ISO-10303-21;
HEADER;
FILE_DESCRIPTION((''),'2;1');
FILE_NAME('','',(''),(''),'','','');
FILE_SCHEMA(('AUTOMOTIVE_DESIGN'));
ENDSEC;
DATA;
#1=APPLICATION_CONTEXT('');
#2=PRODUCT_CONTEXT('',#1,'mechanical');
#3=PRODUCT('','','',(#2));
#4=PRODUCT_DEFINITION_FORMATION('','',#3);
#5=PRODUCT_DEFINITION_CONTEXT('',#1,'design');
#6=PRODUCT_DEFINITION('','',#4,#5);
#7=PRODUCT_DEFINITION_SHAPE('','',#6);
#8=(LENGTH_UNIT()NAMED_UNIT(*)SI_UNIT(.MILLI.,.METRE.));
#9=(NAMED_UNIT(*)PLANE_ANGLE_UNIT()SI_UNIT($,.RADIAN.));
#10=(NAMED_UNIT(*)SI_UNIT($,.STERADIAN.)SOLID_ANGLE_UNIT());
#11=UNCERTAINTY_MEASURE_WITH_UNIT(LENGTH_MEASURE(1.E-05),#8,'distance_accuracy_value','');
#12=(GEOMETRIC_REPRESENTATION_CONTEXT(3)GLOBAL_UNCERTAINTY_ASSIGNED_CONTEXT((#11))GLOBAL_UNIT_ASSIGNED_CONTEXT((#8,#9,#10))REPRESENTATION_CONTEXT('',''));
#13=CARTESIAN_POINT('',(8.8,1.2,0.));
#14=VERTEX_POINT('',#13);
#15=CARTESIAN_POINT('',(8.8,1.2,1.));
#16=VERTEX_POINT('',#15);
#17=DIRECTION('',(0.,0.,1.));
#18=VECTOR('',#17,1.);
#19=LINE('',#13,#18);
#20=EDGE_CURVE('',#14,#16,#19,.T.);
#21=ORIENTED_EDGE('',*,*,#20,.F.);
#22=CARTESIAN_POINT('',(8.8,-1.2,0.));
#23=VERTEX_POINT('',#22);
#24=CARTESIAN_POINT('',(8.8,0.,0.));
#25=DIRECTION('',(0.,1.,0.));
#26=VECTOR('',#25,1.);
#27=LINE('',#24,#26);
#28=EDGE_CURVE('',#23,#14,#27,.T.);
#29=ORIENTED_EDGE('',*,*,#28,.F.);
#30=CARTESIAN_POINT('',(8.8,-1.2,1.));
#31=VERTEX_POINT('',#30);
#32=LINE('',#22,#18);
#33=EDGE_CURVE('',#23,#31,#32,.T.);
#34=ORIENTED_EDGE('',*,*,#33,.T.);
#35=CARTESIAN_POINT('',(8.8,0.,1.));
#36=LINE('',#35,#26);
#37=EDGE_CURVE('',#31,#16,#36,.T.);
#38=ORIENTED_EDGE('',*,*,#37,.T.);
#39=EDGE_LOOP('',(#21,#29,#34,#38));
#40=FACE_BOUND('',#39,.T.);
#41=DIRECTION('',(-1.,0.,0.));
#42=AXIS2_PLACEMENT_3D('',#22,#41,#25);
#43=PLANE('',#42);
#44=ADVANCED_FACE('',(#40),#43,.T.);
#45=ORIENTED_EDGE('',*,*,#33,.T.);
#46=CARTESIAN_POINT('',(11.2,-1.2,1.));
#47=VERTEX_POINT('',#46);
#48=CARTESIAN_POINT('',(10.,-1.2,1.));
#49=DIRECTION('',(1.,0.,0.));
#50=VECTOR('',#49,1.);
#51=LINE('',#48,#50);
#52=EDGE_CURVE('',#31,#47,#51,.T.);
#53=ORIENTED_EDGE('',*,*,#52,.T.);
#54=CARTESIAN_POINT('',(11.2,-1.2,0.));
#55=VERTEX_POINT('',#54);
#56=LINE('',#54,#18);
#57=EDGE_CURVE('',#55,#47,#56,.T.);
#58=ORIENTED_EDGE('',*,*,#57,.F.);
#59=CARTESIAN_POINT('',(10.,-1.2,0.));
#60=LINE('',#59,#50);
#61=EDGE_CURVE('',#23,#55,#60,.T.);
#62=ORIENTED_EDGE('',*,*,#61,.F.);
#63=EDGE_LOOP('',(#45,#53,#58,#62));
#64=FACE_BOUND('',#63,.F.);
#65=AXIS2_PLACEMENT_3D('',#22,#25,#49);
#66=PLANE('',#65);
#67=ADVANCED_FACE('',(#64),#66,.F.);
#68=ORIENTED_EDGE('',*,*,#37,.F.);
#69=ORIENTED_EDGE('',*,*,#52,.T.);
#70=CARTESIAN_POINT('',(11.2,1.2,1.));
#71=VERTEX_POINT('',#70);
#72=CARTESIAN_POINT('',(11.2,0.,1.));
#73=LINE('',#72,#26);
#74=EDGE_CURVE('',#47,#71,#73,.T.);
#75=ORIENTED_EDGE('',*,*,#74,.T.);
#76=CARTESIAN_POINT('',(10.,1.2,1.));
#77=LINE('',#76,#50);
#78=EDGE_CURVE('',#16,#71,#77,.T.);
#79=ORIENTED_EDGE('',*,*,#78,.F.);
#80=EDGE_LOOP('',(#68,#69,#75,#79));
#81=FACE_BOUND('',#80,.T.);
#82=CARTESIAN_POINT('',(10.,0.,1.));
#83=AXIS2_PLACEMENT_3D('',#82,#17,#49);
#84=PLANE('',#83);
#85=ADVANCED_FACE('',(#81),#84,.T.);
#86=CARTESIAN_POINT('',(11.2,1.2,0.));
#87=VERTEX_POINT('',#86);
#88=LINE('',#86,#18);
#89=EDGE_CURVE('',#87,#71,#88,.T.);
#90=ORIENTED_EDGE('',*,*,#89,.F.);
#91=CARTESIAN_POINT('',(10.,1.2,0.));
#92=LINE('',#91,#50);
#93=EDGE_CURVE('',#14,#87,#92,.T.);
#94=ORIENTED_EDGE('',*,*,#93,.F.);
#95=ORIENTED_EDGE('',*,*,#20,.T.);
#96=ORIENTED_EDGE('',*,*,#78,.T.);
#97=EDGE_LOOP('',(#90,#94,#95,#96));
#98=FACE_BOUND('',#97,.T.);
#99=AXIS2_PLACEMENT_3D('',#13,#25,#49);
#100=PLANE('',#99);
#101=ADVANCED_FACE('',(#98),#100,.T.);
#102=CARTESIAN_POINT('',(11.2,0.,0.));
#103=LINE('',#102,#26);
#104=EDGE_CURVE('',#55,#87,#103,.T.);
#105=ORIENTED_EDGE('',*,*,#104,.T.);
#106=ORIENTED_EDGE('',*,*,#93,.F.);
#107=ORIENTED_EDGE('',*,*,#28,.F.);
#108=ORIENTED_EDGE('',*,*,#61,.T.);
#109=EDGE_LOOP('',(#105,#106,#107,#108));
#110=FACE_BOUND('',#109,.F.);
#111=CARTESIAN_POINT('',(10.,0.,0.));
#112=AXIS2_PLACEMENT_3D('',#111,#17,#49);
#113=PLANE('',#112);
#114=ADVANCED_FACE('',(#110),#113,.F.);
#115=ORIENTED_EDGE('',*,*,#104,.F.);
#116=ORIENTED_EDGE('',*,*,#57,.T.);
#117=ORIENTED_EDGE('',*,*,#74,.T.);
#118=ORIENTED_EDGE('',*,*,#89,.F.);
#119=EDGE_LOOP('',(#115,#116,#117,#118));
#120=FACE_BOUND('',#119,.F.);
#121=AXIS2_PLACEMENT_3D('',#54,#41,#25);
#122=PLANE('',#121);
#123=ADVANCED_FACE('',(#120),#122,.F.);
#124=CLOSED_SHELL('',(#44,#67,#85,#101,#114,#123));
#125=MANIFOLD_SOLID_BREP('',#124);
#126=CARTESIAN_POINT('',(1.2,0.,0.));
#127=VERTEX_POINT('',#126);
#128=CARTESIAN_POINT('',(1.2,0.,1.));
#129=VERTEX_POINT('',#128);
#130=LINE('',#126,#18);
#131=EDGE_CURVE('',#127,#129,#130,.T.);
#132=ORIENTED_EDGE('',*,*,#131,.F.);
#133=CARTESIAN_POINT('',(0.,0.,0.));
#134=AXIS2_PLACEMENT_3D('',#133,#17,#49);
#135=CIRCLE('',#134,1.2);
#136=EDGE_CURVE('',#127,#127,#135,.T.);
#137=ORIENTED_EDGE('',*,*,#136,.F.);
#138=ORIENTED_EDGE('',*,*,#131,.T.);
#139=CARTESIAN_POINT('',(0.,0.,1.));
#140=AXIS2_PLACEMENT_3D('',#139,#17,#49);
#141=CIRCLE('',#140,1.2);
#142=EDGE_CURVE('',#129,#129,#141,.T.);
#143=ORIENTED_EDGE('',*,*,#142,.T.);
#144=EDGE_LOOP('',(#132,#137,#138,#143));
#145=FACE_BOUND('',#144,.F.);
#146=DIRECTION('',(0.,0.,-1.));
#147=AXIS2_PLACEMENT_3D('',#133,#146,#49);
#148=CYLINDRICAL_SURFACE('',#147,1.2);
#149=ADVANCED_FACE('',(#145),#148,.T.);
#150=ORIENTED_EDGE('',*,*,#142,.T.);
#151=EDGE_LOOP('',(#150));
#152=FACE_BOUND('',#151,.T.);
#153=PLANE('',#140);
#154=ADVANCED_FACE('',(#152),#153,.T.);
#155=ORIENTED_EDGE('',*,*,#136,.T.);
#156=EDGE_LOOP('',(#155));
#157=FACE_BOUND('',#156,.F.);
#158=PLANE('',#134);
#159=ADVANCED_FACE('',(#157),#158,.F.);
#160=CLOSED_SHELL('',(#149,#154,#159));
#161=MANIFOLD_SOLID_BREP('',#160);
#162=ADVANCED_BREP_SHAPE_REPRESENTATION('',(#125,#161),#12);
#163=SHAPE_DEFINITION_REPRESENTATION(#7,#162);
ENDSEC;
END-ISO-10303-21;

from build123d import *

# Parameters (mm, degrees)
F0_R     = 1.2
F0_W     = 2.4
F0_H     = 2.4
F1_DEPTH = 1


with BuildPart() as f1:
    # F0 (on Top) → F1 (new body)
    with BuildSketch(Plane.XY):
        Circle(F0_R)
        with Locations((10, 0)):
            Rectangle(F0_W, F0_H)
    extrude(amount=F1_DEPTH)


solid = f1.part
